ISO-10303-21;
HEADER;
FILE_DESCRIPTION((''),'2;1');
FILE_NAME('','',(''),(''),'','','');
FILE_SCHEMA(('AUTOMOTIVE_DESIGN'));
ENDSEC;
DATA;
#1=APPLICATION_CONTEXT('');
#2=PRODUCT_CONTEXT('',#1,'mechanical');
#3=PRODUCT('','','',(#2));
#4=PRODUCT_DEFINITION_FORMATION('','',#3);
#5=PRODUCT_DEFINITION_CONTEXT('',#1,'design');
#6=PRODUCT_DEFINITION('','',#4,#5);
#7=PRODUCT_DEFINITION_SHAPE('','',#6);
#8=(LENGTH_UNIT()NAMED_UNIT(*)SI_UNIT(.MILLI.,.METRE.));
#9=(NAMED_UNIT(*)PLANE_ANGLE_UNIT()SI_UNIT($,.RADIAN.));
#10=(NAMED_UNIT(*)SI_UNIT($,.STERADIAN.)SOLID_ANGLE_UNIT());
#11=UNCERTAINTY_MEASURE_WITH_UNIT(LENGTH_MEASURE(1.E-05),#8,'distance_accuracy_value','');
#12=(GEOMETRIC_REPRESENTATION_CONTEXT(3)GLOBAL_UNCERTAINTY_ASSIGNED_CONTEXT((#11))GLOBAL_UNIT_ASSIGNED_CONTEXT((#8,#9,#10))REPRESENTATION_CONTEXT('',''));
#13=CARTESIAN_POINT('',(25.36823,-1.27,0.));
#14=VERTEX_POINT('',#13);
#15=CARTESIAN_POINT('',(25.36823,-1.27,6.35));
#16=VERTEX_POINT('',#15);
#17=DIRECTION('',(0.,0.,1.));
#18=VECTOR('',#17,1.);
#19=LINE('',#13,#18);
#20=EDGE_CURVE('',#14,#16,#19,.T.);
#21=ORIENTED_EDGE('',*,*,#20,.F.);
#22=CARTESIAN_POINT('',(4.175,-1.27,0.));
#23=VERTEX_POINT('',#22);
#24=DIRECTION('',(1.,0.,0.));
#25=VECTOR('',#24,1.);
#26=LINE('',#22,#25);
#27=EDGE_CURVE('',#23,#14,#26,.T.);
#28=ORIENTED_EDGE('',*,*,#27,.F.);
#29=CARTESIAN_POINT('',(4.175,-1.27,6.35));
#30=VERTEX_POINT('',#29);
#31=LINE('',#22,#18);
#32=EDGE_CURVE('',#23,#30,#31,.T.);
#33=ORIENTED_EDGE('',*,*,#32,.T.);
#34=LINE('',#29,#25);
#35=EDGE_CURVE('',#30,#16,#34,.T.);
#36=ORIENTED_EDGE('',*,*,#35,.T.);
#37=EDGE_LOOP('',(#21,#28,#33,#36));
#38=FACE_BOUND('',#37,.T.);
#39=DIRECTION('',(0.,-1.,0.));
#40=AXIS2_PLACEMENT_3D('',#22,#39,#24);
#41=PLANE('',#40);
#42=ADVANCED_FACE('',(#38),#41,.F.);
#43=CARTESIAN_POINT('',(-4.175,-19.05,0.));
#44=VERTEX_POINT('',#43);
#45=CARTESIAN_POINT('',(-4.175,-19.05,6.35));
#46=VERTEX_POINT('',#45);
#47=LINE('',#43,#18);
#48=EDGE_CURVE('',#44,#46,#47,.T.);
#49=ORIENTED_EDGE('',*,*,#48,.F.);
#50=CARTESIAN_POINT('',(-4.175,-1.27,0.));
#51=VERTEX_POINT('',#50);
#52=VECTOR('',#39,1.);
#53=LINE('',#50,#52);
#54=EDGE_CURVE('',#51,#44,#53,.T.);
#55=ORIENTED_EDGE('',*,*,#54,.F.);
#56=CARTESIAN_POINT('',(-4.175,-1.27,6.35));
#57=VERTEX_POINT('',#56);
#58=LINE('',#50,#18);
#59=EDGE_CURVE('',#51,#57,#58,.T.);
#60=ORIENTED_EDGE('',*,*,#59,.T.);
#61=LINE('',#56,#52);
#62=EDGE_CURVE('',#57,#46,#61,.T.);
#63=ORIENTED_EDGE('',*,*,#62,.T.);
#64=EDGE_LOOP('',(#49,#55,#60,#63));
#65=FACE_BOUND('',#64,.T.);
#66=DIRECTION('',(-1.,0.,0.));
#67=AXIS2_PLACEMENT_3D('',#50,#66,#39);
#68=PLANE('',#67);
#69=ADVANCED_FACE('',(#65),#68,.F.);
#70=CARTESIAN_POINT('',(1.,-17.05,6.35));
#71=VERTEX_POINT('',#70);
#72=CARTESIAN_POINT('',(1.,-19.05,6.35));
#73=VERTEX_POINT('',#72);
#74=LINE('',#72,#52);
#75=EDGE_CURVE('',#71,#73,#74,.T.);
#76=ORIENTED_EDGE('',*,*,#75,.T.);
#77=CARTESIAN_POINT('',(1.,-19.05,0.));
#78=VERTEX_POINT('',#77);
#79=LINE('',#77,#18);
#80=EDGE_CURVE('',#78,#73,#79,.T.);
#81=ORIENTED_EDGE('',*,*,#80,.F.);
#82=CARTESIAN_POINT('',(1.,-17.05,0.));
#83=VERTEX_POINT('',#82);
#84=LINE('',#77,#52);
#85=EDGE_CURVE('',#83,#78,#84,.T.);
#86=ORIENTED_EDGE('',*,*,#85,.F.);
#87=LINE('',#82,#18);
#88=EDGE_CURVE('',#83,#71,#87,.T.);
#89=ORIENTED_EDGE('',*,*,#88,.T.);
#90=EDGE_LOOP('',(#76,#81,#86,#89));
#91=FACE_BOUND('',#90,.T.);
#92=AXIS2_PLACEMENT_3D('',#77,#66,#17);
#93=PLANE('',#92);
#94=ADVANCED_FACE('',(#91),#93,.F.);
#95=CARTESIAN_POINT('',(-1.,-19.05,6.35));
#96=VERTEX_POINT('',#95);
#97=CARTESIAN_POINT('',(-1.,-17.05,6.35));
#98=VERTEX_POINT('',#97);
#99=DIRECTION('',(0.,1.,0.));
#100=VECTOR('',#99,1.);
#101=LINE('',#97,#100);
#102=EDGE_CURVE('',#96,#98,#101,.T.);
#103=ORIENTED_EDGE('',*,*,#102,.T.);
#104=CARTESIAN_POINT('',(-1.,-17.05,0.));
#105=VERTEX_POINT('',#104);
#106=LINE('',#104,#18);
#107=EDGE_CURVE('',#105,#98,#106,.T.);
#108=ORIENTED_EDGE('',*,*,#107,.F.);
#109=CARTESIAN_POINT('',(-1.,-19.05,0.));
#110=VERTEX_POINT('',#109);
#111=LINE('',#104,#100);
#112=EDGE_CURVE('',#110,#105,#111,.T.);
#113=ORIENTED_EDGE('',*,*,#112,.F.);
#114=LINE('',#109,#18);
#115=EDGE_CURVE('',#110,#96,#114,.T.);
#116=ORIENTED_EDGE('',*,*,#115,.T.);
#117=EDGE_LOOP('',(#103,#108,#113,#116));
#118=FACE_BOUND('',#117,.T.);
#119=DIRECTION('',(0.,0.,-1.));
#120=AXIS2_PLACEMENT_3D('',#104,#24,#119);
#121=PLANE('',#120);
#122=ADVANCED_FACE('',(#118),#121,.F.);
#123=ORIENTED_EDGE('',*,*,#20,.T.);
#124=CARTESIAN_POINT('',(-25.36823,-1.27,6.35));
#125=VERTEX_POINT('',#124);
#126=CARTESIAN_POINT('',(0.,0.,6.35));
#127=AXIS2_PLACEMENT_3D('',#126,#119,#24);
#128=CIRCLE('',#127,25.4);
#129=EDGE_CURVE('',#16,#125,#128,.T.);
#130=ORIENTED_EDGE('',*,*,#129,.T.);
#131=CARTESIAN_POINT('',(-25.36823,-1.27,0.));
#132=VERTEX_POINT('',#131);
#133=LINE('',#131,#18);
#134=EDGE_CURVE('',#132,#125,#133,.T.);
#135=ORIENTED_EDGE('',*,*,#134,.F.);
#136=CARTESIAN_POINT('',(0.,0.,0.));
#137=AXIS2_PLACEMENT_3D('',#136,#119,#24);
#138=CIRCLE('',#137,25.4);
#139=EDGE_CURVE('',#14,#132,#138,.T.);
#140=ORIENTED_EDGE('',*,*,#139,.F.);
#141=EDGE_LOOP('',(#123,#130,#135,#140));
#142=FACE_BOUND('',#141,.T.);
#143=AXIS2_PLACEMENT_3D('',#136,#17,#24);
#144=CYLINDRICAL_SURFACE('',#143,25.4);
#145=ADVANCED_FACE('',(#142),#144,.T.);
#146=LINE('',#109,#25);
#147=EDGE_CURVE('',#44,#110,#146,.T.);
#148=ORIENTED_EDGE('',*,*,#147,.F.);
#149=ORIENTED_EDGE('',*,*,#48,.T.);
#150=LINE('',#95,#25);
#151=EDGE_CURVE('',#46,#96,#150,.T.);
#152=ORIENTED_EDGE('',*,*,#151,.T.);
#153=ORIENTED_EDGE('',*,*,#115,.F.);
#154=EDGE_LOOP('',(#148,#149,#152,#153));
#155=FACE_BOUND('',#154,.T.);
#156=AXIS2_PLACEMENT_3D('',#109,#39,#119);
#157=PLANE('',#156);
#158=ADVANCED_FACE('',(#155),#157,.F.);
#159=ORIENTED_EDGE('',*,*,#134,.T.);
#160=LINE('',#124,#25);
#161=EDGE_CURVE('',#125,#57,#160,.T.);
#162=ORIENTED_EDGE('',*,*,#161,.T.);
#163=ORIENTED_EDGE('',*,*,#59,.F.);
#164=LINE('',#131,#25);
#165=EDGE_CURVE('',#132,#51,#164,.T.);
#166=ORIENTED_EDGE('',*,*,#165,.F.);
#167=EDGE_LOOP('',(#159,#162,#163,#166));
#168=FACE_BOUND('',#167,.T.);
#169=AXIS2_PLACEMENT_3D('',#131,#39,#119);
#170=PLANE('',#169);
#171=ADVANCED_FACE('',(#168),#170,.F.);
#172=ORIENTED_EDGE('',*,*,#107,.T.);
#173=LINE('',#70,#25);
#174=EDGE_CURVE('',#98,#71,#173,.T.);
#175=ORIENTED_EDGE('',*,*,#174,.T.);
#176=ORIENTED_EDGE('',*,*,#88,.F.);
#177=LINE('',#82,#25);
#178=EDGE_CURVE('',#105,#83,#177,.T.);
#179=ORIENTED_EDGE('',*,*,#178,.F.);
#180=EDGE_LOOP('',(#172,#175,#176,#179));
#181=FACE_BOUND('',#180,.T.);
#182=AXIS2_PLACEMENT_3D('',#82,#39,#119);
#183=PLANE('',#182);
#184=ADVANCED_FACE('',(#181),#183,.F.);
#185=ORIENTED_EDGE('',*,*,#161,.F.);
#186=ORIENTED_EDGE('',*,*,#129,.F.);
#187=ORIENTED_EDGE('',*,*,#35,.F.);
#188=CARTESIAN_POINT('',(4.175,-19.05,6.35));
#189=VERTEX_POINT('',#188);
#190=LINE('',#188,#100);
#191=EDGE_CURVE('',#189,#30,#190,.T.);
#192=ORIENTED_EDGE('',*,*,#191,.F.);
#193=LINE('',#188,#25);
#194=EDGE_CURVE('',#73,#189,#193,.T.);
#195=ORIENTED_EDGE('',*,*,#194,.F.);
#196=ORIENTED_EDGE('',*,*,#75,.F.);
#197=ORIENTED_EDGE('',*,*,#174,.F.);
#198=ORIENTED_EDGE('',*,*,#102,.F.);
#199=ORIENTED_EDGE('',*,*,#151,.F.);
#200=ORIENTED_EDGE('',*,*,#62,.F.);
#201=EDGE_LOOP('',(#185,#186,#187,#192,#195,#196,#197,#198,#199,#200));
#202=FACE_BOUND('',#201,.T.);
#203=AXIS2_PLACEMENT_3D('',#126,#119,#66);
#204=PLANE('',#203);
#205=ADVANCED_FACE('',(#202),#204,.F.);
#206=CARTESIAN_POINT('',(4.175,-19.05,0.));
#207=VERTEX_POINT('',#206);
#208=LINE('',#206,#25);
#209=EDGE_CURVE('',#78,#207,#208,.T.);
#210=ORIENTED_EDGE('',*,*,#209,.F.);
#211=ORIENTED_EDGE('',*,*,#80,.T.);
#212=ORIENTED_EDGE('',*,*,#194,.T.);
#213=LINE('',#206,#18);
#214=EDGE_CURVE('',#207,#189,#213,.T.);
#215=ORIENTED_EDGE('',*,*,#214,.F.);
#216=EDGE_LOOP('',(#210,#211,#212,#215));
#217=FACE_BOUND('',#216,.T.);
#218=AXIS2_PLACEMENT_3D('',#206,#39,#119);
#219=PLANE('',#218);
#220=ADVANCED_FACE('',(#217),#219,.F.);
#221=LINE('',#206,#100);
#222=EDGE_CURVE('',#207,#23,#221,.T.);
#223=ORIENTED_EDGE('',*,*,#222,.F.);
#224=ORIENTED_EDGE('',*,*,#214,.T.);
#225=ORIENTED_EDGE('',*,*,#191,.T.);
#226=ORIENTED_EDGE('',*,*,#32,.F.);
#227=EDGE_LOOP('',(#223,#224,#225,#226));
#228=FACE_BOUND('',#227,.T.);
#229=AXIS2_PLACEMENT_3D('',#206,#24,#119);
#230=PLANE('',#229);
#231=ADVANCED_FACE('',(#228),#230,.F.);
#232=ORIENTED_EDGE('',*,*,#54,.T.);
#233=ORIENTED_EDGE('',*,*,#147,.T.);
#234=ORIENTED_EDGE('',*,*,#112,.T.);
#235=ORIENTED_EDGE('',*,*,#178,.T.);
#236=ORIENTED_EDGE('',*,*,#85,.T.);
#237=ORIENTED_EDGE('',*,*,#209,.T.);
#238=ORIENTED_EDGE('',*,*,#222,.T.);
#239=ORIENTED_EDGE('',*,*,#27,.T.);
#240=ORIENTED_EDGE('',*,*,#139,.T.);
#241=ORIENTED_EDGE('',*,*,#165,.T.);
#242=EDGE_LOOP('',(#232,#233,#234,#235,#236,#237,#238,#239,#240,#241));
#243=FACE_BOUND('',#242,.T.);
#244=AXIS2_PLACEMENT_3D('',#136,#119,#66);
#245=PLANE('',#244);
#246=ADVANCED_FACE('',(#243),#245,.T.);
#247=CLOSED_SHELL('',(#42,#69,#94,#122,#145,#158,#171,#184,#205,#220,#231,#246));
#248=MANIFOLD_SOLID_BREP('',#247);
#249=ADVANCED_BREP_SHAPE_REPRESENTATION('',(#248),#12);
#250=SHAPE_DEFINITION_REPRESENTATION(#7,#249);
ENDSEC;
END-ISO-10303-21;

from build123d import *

# Parameters (mm, degrees)
BOSS_EXTRUDE2_DEPTH = 6.35


with BuildPart() as part:
    # 3DSketch1 → Boss-Extrude2 (new body)
    with BuildSketch(Plane(origin=(4.175, -19.05, 0), x_dir=(-0.8568004384031221, 0.5156481443312075, 0), z_dir=(0, 0, -1))):
        with BuildLine():
            Line((0, 0), (9.168224006, 15.233911795))
            Line((9.168224006, 15.233911795), (-8.990144862, 26.162161584))
            ThreePointArc((-8.990144862, 26.162161584), (0.302776114, -7.593513786), (34.480876535, 0))
            Line((34.480876535, 0), (16.322507667, 10.92824979))
            Line((16.322507667, 10.92824979), (7.154283661, -4.305662005))
            Line((7.154283661, -4.305662005), (4.433942269, -2.668479147))
            Line((4.433942269, -2.668479147), (5.465238557, -0.95487827))
            Line((5.465238557, -0.95487827), (3.751637681, 0.076418019))
            Line((3.751637681, 0.076418019), (2.720341392, -1.637182858))
            Line((2.720341392, -1.637182858), (0, 0))
        make_face()
    extrude(amount=-BOSS_EXTRUDE2_DEPTH)


solid = part.part
